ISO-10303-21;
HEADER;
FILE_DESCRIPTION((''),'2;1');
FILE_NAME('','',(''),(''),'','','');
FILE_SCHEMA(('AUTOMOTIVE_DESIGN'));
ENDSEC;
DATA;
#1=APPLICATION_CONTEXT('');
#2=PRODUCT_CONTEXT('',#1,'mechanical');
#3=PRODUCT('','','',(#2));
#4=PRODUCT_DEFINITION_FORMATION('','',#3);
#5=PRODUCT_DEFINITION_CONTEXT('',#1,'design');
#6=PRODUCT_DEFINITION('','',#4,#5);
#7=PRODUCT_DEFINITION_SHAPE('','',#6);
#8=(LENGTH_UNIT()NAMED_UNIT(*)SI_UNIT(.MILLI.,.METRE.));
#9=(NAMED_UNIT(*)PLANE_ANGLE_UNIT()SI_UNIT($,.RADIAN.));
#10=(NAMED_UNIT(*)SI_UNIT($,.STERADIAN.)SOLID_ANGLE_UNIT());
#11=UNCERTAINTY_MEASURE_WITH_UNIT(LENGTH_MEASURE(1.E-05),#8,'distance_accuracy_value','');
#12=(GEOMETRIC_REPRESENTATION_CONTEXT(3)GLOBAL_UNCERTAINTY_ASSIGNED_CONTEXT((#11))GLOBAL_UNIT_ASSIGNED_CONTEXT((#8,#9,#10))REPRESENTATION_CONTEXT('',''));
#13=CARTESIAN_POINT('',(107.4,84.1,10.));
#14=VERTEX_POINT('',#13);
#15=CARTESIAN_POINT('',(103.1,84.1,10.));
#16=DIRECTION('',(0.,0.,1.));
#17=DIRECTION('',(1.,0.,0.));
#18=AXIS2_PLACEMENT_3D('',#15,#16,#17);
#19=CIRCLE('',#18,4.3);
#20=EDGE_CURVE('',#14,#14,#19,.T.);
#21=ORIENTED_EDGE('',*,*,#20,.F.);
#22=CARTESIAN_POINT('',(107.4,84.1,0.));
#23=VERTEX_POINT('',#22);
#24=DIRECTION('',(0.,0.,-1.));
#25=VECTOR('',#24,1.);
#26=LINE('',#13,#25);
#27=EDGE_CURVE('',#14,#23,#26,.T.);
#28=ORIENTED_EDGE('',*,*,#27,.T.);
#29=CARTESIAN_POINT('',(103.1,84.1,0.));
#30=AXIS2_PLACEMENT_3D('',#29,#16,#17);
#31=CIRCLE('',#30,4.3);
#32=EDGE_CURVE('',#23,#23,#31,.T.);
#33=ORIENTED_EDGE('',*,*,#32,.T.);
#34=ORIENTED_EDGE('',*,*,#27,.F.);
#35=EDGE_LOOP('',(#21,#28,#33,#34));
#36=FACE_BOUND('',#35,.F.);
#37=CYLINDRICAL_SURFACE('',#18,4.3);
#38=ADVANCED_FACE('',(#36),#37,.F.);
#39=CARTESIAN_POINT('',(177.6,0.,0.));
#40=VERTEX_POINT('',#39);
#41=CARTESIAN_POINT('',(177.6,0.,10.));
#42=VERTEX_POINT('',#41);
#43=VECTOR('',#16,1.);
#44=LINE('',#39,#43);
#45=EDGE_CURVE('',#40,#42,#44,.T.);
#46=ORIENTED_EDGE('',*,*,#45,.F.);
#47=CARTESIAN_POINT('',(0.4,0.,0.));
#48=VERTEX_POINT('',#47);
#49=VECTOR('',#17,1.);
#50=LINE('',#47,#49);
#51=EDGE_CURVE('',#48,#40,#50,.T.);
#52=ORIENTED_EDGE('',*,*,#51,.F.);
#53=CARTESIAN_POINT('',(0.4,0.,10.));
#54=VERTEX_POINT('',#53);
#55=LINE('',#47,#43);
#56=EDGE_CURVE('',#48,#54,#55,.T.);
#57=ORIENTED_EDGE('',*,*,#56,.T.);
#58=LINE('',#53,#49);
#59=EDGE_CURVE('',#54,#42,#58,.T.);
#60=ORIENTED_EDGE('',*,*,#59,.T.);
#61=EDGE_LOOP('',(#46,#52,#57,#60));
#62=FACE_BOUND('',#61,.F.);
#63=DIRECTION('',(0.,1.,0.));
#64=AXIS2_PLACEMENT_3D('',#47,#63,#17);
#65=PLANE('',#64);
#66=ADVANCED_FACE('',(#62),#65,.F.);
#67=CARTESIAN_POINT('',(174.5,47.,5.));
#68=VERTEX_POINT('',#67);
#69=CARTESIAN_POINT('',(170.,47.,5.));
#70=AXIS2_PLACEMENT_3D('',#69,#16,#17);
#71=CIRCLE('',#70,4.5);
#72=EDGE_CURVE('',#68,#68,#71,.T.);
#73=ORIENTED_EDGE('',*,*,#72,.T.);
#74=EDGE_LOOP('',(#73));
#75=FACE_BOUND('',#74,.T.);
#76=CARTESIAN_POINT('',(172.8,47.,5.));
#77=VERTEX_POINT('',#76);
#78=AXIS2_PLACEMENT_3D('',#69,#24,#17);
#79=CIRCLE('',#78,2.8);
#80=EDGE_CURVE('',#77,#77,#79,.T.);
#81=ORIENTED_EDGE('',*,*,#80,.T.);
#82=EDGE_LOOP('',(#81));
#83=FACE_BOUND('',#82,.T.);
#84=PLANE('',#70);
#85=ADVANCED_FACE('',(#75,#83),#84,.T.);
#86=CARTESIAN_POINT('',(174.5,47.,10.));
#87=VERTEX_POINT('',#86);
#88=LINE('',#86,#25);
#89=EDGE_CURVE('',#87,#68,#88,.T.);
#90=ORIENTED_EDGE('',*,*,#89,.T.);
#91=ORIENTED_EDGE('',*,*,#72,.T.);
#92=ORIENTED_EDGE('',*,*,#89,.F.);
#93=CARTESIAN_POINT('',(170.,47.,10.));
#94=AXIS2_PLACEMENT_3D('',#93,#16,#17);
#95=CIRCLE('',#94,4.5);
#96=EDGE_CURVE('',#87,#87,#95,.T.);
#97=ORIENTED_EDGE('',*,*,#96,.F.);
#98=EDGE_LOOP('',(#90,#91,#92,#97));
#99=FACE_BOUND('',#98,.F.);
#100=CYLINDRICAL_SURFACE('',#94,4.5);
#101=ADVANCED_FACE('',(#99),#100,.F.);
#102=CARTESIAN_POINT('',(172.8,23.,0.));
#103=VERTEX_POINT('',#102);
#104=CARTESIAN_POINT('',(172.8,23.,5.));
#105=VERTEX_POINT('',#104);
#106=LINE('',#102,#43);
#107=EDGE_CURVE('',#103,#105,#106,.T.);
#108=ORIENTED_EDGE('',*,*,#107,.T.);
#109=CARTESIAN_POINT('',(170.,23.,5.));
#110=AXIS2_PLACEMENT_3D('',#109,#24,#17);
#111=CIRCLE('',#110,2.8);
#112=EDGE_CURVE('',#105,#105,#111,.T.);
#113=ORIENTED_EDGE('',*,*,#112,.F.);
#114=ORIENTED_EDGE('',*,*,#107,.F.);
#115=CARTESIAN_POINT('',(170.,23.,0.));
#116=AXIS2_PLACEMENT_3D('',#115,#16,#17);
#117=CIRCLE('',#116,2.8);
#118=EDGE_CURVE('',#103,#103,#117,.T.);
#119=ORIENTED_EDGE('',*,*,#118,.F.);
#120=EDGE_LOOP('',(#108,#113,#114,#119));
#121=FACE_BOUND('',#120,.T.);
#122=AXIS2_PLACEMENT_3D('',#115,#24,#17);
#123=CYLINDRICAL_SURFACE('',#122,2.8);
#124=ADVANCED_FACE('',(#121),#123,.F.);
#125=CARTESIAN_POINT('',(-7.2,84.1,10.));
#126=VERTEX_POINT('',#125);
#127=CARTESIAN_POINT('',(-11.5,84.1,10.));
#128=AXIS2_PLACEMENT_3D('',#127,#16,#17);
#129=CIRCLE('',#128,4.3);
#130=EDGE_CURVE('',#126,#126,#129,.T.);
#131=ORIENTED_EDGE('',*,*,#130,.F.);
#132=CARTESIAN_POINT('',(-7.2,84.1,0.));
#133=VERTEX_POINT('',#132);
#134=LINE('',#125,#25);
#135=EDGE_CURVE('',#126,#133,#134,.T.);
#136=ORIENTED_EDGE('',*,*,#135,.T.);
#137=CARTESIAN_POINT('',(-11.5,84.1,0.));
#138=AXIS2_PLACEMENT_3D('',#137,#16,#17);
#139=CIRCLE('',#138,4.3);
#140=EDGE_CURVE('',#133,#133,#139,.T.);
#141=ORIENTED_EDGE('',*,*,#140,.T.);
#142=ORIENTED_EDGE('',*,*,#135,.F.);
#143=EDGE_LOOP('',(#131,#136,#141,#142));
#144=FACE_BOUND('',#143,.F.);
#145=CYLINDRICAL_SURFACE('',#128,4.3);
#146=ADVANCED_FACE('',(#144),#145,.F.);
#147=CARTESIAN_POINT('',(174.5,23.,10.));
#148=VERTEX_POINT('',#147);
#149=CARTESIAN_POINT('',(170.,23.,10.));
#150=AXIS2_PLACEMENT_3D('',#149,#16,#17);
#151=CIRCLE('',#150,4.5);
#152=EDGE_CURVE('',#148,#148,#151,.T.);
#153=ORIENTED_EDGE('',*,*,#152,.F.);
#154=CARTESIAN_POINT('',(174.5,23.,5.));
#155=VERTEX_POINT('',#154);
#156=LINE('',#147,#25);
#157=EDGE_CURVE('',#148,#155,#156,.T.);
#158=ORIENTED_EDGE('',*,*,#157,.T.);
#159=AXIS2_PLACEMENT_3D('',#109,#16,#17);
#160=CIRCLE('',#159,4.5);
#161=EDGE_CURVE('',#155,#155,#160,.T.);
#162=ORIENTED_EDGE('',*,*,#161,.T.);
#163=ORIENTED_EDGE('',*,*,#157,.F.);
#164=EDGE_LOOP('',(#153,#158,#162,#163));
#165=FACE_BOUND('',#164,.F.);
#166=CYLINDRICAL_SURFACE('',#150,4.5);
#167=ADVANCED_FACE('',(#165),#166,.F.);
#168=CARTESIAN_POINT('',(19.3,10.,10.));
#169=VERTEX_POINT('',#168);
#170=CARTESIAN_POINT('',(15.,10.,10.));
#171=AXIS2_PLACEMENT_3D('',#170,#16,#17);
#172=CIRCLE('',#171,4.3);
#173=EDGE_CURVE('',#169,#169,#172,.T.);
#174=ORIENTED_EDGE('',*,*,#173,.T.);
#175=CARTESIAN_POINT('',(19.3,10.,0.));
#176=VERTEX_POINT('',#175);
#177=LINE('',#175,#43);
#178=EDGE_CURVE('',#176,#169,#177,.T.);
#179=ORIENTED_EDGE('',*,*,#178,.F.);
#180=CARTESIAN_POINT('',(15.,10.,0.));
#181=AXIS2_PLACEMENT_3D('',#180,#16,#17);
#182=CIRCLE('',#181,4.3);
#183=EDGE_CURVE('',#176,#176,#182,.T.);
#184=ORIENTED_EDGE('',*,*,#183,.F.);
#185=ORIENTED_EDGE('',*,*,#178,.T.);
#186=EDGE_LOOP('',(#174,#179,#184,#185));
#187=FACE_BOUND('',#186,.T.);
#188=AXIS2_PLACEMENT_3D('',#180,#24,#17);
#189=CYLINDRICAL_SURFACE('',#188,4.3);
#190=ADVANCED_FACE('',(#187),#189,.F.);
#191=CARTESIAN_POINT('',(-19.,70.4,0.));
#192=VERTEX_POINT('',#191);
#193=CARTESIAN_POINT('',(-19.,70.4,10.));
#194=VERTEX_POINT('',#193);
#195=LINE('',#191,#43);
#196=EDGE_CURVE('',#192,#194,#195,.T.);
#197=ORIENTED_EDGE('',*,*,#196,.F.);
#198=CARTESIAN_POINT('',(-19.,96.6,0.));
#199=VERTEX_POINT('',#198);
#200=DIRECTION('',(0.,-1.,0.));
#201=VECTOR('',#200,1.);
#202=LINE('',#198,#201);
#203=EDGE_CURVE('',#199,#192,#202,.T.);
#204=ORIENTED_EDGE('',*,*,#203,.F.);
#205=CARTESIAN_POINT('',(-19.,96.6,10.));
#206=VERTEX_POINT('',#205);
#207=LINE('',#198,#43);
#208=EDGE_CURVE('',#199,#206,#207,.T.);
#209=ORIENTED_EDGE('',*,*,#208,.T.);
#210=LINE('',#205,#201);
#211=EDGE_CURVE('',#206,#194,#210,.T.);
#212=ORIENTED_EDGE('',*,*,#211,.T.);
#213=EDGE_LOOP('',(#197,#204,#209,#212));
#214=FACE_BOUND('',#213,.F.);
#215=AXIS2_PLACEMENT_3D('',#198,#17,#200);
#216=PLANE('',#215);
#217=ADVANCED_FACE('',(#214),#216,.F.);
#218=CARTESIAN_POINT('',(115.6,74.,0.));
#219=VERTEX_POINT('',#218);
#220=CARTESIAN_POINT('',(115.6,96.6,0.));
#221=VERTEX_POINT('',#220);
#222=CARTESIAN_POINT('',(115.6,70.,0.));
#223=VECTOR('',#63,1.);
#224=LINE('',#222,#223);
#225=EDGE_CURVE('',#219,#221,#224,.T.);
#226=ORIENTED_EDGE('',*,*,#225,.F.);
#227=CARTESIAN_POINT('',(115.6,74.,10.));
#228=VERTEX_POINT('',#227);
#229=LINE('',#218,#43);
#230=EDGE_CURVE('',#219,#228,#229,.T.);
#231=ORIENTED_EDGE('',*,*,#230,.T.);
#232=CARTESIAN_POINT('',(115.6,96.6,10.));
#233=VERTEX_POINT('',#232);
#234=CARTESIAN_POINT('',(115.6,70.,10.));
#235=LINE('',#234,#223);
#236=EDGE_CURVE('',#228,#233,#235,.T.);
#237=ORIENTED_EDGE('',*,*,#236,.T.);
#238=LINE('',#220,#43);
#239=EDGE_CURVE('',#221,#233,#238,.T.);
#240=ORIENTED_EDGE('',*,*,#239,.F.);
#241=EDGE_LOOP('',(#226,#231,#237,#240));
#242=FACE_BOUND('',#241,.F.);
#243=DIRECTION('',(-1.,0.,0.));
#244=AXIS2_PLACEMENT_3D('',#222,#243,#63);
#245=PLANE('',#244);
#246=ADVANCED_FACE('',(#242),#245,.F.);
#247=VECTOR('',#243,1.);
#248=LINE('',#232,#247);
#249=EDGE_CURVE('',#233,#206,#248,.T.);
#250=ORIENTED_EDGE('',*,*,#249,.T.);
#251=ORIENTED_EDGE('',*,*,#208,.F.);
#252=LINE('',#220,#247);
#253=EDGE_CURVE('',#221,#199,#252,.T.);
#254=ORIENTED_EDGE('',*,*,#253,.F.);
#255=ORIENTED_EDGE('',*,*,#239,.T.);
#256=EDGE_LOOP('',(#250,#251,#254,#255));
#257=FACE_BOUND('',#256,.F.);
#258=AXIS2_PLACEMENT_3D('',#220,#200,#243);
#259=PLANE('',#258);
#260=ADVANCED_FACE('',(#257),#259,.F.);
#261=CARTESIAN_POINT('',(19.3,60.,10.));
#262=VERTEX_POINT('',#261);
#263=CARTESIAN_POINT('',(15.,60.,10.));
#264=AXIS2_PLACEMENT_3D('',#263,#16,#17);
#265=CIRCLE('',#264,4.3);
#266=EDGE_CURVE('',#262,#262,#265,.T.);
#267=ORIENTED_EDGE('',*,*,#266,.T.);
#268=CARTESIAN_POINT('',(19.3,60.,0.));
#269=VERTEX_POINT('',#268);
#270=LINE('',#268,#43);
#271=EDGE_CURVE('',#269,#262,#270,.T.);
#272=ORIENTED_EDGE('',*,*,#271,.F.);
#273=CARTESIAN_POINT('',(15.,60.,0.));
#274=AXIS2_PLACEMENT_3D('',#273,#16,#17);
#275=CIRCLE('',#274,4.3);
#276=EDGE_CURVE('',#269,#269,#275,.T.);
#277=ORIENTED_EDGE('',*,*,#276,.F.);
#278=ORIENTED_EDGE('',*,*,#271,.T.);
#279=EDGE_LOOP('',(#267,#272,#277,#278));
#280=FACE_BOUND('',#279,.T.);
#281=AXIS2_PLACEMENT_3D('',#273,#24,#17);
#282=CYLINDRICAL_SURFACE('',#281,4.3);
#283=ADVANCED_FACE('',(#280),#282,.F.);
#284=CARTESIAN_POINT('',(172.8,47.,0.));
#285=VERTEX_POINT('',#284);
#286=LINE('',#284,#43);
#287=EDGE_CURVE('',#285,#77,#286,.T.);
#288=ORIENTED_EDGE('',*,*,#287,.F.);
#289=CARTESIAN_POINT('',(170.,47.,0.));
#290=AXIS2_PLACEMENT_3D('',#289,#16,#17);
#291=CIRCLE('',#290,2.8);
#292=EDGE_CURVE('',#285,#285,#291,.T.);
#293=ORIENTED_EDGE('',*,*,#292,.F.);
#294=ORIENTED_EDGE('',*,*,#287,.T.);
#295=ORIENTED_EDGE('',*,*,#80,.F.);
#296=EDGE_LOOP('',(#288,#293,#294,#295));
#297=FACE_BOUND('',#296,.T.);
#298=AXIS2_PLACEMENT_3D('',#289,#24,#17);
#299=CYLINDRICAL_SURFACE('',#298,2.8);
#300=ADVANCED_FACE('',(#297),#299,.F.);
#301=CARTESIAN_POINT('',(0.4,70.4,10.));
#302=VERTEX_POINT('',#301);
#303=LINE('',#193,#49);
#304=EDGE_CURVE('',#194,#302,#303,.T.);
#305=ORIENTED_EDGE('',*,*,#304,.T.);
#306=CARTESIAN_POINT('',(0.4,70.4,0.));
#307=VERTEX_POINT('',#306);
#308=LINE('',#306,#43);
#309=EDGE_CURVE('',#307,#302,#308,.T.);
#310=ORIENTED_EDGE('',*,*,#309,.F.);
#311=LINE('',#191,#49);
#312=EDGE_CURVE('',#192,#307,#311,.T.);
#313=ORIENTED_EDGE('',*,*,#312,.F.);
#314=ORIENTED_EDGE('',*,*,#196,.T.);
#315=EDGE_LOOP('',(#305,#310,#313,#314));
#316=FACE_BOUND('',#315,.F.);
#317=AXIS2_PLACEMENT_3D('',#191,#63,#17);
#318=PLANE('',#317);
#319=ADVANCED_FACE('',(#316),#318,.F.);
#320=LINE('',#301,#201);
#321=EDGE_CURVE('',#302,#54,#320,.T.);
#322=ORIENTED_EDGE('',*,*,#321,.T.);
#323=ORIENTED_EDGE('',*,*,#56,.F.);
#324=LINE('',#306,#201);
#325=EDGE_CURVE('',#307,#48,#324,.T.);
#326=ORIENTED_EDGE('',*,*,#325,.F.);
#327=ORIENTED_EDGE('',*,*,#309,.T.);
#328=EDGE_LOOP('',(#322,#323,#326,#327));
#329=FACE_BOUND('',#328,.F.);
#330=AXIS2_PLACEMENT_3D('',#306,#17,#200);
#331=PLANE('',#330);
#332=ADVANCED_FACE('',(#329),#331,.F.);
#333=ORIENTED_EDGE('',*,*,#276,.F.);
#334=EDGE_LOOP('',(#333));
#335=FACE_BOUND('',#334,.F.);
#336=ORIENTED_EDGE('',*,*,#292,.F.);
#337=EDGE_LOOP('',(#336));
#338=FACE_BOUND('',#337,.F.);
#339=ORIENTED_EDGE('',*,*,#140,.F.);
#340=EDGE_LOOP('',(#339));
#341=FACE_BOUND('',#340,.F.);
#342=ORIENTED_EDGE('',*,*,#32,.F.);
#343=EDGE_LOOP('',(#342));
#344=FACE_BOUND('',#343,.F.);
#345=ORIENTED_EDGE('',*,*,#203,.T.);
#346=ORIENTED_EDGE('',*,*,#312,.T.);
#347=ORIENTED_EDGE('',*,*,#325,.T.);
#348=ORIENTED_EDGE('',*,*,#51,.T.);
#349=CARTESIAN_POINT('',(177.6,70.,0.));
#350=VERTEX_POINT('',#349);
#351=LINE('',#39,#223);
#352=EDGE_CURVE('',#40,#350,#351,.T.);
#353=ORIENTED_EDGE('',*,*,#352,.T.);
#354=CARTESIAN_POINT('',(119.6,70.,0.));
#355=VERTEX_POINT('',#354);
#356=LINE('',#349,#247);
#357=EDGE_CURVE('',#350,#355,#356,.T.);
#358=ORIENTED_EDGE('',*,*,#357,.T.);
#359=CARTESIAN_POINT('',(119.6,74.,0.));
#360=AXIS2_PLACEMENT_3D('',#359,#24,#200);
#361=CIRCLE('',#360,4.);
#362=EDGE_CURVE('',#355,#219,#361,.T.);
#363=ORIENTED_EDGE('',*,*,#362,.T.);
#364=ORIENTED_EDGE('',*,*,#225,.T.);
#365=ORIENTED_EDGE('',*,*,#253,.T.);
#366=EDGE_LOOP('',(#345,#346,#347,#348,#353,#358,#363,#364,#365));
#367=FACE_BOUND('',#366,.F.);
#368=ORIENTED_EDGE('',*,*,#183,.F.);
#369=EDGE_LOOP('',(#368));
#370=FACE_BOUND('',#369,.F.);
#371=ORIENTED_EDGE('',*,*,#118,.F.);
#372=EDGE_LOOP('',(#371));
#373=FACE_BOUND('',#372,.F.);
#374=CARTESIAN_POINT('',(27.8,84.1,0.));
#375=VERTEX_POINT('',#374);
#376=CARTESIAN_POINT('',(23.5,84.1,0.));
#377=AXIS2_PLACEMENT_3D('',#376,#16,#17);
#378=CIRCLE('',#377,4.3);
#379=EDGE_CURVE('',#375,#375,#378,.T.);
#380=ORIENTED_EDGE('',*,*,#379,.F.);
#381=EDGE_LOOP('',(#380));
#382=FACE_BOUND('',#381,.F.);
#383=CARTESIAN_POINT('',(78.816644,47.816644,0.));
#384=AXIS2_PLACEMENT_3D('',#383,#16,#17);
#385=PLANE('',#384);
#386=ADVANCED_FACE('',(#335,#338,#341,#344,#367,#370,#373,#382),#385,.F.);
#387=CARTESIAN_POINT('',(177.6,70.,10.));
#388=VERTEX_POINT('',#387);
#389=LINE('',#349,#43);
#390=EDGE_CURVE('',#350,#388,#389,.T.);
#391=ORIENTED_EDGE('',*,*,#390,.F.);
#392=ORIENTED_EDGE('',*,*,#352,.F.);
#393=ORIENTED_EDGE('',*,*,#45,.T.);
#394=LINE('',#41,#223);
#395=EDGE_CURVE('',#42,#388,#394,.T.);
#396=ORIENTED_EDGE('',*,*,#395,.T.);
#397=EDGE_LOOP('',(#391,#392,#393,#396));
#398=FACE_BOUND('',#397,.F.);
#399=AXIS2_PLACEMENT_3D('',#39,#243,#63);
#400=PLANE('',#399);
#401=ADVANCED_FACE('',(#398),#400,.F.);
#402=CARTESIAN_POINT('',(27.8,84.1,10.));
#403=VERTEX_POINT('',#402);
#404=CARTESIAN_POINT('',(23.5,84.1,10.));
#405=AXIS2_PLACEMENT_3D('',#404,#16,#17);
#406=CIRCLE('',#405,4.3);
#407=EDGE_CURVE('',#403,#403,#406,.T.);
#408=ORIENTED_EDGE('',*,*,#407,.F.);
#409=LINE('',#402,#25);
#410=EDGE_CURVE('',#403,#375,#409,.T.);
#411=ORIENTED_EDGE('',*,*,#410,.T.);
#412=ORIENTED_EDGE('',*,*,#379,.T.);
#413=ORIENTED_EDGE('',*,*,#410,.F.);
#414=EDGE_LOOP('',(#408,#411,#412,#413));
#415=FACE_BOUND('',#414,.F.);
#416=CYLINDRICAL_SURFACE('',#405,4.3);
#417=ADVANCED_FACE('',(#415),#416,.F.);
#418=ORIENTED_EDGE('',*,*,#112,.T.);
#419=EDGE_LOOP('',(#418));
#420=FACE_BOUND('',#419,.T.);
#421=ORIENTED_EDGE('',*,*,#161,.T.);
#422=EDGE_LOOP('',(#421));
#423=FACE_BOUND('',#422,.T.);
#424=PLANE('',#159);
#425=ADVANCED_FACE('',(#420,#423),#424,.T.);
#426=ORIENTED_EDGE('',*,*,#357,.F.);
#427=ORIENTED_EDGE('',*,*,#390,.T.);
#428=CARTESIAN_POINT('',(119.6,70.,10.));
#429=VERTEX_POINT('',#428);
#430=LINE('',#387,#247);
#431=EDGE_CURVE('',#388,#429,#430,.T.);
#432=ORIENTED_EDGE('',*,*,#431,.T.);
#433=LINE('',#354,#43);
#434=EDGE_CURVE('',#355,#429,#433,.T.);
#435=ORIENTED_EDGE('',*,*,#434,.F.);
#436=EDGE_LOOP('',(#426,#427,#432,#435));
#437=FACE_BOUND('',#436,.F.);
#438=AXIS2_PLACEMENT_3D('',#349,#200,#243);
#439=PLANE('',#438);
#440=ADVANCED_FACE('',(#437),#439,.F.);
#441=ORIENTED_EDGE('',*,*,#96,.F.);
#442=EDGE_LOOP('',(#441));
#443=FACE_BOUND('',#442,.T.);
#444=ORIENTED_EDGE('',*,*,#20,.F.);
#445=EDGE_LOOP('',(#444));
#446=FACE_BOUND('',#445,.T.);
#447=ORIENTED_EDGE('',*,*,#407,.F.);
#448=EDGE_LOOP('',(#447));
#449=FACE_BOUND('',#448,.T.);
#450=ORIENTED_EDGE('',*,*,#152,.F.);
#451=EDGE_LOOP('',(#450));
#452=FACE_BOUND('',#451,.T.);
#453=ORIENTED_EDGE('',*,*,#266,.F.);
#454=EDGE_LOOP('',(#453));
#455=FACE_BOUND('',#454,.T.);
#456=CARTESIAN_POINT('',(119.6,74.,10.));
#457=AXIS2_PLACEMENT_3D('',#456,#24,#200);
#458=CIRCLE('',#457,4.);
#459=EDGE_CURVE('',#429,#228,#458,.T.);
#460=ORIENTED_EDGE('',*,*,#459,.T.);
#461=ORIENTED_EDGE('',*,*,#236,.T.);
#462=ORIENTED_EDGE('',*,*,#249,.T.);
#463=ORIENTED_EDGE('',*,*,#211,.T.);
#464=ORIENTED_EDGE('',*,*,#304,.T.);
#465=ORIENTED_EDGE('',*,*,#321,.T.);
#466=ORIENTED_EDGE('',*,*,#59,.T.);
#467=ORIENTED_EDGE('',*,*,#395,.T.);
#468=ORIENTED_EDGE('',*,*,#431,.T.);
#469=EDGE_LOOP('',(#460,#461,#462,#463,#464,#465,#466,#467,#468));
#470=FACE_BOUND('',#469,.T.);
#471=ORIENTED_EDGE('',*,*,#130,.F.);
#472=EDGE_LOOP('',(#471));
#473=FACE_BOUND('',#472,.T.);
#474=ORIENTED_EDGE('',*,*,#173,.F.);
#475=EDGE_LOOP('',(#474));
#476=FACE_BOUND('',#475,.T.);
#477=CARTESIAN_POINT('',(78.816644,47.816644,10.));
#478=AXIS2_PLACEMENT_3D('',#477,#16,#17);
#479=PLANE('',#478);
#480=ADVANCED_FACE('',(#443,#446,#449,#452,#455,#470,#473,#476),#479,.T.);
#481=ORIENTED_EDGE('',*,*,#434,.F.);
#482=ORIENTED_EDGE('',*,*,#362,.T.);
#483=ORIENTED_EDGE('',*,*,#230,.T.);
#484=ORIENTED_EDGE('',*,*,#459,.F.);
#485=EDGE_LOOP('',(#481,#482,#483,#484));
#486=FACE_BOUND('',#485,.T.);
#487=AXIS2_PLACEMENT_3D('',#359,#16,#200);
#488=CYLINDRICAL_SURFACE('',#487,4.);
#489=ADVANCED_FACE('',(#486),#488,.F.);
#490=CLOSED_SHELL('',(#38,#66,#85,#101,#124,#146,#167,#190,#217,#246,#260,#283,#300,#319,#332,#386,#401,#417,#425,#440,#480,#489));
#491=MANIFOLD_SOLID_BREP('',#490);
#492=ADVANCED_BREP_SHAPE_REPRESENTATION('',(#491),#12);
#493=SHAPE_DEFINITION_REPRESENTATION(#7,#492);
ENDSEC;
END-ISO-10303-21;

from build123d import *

# Parameters (mm, degrees)
SKETCH_R        = 4.3
SKETCH_R_2      = 2.8
PAD_DEPTH       = 10
SKETCH001_R     = 4.5
POCKET_DEPTH    = 5
FILLET_R        = 4
SKETCH002_R     = 4.3
POCKET001_DEPTH = 10.001


with BuildPart() as part:
    # Sketch → Pad (new body)
    with BuildSketch(Plane.XY):
        Polygon((0.4, 0), (177.6, 0), (177.6, 70), (115.6, 70), (115.6, 96.6), (-19, 96.6), (-19, 70.4), (0.4, 70.4), align=None)
        with Locations((15, 60)):
            Circle(SKETCH_R, mode=Mode.SUBTRACT)
        with Locations((15, 10)):
            Circle(SKETCH_R, mode=Mode.SUBTRACT)
        with Locations((170, 47)):
            Circle(SKETCH_R_2, mode=Mode.SUBTRACT)
        with Locations((170, 23)):
            Circle(SKETCH_R_2, mode=Mode.SUBTRACT)
    extrude(amount=PAD_DEPTH)

    # Sketch001 (on Face14 of Pad) → Pocket (cut)
    with BuildSketch(Plane.XY.offset(10)):
        with Locations((170, 47)):
            Circle(SKETCH001_R)
        with Locations((170, 23)):
            Circle(SKETCH001_R)
    extrude(amount=-POCKET_DEPTH, mode=Mode.SUBTRACT)

    # Fillet
    fillet_edges = [part.edges().sort_by_distance(p)[0] for p in [
        (115.6, 70, 5),
    ]]
    fillet(fillet_edges, radius=FILLET_R)

    # Sketch002 (on Face15 of Fillet) → Pocket001 (cut, through all)
    with BuildSketch(Plane.XY.offset(10)):
        with Locations((-11.5, 84.1)):
            Circle(SKETCH002_R)
        with Locations((23.5, 84.1)):
            Circle(SKETCH002_R)
        with Locations((103.1, 84.1)):
            Circle(SKETCH002_R)
    extrude(amount=-POCKET001_DEPTH, mode=Mode.SUBTRACT)


solid = part.part
